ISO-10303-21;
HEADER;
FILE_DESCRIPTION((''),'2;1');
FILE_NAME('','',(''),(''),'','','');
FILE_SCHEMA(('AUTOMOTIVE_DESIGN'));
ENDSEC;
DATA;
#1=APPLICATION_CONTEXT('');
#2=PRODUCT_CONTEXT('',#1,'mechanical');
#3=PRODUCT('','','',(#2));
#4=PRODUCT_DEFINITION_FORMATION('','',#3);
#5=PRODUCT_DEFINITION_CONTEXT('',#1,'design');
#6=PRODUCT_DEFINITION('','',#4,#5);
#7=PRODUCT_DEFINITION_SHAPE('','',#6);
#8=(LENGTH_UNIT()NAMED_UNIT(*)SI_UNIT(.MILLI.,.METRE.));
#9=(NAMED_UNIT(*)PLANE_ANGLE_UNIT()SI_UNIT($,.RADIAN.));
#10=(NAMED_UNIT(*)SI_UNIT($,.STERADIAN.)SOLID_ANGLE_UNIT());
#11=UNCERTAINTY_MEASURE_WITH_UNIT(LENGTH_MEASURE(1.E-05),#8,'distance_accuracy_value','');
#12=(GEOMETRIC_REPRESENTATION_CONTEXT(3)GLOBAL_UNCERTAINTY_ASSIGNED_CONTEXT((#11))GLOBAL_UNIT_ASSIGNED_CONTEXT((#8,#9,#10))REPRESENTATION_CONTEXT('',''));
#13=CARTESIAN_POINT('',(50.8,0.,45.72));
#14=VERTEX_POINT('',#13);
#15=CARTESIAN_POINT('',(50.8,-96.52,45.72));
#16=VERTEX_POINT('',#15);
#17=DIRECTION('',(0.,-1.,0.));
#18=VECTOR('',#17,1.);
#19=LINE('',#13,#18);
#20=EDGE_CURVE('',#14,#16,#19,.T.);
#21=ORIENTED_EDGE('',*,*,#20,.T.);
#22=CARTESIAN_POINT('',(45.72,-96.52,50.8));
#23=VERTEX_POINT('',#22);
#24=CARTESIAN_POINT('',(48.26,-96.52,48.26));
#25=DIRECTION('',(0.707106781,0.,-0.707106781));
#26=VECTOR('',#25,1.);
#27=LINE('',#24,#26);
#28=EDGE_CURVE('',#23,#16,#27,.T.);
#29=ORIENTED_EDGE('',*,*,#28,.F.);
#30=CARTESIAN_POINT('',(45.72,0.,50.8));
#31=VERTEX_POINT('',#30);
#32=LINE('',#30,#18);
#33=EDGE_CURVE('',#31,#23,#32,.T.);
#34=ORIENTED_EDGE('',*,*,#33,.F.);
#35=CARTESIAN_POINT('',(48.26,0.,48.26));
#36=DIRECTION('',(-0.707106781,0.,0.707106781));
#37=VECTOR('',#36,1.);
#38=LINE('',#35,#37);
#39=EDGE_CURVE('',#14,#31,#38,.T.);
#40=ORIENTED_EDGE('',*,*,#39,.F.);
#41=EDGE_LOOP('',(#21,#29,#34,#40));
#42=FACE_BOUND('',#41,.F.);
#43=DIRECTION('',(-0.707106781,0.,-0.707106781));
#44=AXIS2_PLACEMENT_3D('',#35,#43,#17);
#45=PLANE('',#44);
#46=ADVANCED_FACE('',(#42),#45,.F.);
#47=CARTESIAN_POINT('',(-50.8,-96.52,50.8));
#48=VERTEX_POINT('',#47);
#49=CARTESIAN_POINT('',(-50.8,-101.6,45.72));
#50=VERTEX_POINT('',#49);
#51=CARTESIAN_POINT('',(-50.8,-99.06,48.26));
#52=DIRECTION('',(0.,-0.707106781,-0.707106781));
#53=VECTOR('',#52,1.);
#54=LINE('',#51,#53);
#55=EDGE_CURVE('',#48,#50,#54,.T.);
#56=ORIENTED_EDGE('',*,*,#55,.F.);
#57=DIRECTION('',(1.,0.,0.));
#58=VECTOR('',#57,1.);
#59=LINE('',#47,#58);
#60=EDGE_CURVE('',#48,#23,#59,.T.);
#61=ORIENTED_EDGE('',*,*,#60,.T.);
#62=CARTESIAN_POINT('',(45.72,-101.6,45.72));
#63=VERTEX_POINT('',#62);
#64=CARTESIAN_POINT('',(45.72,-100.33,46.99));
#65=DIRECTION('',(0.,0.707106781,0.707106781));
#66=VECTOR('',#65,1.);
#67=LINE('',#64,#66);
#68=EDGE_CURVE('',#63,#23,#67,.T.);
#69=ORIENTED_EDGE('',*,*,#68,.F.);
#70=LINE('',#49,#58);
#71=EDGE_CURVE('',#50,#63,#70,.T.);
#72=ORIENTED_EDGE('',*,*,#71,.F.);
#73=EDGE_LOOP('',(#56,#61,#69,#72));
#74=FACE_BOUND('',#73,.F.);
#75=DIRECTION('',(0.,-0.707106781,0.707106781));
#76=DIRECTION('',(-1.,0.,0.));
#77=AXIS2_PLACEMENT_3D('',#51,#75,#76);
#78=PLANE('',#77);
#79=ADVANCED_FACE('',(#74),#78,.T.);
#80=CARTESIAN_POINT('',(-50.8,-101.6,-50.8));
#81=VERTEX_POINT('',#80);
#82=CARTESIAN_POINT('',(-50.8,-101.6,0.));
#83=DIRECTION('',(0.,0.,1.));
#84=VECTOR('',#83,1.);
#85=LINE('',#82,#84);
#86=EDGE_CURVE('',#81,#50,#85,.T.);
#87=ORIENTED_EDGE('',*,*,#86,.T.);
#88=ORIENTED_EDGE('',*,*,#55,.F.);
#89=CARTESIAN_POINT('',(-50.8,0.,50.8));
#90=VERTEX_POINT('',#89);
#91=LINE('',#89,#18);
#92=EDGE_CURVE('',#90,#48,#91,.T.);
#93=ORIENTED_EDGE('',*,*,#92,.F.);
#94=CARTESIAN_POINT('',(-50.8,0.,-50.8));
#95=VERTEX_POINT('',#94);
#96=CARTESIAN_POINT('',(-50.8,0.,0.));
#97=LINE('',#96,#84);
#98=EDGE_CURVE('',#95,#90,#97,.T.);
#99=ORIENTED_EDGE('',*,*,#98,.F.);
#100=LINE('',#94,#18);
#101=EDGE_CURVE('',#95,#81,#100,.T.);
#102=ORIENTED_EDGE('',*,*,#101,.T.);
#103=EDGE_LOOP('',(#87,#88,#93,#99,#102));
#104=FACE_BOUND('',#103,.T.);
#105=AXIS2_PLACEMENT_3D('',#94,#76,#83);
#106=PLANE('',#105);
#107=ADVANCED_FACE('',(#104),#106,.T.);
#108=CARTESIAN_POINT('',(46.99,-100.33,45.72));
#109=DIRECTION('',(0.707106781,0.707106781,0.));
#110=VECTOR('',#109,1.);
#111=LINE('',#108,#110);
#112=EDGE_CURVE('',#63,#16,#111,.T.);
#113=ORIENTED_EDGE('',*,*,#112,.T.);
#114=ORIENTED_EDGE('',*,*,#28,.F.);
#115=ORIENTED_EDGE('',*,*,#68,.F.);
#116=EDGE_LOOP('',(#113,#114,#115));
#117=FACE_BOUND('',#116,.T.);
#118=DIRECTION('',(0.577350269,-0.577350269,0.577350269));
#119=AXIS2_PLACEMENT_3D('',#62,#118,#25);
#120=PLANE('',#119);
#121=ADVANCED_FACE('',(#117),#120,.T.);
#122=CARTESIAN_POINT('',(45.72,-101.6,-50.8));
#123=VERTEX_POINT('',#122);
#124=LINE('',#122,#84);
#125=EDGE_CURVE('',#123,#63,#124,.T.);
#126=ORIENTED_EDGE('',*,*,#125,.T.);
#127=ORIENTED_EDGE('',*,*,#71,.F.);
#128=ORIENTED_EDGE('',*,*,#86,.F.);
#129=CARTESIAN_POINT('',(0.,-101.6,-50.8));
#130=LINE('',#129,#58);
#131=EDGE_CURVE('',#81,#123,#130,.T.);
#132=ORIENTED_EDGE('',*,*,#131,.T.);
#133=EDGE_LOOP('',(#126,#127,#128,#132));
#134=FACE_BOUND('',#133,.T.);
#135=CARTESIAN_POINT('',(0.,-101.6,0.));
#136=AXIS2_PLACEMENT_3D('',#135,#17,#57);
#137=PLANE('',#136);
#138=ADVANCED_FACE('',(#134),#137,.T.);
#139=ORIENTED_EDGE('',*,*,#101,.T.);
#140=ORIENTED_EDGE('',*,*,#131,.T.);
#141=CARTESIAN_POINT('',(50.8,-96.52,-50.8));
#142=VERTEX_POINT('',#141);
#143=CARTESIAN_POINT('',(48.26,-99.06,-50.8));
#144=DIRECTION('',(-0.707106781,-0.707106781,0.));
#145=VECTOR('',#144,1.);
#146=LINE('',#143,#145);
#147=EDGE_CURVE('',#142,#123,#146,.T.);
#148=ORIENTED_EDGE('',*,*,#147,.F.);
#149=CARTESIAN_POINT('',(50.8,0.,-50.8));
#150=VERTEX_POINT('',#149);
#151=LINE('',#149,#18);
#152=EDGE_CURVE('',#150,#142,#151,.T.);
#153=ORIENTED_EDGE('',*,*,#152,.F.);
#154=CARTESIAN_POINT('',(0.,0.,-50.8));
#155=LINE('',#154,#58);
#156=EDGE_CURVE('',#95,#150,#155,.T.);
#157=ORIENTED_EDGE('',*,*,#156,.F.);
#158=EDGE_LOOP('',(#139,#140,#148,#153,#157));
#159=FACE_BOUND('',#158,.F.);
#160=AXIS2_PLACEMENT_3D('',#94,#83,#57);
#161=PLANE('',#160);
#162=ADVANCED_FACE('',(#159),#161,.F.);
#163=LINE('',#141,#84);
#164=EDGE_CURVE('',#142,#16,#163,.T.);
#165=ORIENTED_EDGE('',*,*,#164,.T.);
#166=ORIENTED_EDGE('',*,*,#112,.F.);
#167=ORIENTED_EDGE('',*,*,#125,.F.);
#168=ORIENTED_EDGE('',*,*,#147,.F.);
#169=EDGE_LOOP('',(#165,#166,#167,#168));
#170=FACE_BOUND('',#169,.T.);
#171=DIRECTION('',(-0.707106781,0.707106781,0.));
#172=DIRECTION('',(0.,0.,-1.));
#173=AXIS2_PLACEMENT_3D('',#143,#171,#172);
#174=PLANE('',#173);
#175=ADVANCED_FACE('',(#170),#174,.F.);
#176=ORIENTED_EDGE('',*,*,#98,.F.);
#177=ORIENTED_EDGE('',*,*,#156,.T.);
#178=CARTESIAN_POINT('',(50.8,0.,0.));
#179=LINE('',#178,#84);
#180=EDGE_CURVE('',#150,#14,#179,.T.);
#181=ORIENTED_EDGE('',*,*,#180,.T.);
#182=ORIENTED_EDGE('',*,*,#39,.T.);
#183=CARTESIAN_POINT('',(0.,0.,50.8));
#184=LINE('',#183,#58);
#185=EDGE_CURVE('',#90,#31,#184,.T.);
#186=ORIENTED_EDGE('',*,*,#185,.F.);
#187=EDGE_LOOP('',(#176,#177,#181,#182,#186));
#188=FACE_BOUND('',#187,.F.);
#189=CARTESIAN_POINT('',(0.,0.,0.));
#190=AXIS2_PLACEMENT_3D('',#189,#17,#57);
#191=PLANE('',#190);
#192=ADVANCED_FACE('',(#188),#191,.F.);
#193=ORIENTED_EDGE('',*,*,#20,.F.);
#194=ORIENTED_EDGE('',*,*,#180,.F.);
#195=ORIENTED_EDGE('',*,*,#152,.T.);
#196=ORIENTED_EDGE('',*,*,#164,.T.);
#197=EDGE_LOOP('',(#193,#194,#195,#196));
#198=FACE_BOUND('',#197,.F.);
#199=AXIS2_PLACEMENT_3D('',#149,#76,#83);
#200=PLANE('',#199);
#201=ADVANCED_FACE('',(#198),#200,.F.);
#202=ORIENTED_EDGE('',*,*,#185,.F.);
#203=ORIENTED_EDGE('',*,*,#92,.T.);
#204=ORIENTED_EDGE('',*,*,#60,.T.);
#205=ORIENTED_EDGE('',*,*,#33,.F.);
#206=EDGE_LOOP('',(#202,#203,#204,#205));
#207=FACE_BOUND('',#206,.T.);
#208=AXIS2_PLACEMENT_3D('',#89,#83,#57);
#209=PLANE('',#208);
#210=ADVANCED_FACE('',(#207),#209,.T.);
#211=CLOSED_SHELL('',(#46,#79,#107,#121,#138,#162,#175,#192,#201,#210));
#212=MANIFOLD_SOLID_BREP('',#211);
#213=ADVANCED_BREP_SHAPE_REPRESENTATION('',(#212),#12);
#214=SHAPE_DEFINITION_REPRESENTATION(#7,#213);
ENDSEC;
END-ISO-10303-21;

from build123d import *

# Parameters (mm, degrees)
F0_W     = 101.6
F0_H     = 101.6
F1_DEPTH = 101.6
F2_SIZE  = 5.08


with BuildPart() as f1:
    # F0 (on Front) → F1 (new body)
    with BuildSketch(Plane.XZ):
        Rectangle(F0_W, F0_H)
    extrude(amount=F1_DEPTH)

    # F2
    f2_edges = [f1.edges().sort_by_distance(p)[0] for p in [
        (50.8, -50.8, 50.8),
        (0, -101.6, 50.8),
        (50.8, -101.6, 0),
    ]]
    chamfer(f2_edges, length=F2_SIZE)


solid = f1.part
